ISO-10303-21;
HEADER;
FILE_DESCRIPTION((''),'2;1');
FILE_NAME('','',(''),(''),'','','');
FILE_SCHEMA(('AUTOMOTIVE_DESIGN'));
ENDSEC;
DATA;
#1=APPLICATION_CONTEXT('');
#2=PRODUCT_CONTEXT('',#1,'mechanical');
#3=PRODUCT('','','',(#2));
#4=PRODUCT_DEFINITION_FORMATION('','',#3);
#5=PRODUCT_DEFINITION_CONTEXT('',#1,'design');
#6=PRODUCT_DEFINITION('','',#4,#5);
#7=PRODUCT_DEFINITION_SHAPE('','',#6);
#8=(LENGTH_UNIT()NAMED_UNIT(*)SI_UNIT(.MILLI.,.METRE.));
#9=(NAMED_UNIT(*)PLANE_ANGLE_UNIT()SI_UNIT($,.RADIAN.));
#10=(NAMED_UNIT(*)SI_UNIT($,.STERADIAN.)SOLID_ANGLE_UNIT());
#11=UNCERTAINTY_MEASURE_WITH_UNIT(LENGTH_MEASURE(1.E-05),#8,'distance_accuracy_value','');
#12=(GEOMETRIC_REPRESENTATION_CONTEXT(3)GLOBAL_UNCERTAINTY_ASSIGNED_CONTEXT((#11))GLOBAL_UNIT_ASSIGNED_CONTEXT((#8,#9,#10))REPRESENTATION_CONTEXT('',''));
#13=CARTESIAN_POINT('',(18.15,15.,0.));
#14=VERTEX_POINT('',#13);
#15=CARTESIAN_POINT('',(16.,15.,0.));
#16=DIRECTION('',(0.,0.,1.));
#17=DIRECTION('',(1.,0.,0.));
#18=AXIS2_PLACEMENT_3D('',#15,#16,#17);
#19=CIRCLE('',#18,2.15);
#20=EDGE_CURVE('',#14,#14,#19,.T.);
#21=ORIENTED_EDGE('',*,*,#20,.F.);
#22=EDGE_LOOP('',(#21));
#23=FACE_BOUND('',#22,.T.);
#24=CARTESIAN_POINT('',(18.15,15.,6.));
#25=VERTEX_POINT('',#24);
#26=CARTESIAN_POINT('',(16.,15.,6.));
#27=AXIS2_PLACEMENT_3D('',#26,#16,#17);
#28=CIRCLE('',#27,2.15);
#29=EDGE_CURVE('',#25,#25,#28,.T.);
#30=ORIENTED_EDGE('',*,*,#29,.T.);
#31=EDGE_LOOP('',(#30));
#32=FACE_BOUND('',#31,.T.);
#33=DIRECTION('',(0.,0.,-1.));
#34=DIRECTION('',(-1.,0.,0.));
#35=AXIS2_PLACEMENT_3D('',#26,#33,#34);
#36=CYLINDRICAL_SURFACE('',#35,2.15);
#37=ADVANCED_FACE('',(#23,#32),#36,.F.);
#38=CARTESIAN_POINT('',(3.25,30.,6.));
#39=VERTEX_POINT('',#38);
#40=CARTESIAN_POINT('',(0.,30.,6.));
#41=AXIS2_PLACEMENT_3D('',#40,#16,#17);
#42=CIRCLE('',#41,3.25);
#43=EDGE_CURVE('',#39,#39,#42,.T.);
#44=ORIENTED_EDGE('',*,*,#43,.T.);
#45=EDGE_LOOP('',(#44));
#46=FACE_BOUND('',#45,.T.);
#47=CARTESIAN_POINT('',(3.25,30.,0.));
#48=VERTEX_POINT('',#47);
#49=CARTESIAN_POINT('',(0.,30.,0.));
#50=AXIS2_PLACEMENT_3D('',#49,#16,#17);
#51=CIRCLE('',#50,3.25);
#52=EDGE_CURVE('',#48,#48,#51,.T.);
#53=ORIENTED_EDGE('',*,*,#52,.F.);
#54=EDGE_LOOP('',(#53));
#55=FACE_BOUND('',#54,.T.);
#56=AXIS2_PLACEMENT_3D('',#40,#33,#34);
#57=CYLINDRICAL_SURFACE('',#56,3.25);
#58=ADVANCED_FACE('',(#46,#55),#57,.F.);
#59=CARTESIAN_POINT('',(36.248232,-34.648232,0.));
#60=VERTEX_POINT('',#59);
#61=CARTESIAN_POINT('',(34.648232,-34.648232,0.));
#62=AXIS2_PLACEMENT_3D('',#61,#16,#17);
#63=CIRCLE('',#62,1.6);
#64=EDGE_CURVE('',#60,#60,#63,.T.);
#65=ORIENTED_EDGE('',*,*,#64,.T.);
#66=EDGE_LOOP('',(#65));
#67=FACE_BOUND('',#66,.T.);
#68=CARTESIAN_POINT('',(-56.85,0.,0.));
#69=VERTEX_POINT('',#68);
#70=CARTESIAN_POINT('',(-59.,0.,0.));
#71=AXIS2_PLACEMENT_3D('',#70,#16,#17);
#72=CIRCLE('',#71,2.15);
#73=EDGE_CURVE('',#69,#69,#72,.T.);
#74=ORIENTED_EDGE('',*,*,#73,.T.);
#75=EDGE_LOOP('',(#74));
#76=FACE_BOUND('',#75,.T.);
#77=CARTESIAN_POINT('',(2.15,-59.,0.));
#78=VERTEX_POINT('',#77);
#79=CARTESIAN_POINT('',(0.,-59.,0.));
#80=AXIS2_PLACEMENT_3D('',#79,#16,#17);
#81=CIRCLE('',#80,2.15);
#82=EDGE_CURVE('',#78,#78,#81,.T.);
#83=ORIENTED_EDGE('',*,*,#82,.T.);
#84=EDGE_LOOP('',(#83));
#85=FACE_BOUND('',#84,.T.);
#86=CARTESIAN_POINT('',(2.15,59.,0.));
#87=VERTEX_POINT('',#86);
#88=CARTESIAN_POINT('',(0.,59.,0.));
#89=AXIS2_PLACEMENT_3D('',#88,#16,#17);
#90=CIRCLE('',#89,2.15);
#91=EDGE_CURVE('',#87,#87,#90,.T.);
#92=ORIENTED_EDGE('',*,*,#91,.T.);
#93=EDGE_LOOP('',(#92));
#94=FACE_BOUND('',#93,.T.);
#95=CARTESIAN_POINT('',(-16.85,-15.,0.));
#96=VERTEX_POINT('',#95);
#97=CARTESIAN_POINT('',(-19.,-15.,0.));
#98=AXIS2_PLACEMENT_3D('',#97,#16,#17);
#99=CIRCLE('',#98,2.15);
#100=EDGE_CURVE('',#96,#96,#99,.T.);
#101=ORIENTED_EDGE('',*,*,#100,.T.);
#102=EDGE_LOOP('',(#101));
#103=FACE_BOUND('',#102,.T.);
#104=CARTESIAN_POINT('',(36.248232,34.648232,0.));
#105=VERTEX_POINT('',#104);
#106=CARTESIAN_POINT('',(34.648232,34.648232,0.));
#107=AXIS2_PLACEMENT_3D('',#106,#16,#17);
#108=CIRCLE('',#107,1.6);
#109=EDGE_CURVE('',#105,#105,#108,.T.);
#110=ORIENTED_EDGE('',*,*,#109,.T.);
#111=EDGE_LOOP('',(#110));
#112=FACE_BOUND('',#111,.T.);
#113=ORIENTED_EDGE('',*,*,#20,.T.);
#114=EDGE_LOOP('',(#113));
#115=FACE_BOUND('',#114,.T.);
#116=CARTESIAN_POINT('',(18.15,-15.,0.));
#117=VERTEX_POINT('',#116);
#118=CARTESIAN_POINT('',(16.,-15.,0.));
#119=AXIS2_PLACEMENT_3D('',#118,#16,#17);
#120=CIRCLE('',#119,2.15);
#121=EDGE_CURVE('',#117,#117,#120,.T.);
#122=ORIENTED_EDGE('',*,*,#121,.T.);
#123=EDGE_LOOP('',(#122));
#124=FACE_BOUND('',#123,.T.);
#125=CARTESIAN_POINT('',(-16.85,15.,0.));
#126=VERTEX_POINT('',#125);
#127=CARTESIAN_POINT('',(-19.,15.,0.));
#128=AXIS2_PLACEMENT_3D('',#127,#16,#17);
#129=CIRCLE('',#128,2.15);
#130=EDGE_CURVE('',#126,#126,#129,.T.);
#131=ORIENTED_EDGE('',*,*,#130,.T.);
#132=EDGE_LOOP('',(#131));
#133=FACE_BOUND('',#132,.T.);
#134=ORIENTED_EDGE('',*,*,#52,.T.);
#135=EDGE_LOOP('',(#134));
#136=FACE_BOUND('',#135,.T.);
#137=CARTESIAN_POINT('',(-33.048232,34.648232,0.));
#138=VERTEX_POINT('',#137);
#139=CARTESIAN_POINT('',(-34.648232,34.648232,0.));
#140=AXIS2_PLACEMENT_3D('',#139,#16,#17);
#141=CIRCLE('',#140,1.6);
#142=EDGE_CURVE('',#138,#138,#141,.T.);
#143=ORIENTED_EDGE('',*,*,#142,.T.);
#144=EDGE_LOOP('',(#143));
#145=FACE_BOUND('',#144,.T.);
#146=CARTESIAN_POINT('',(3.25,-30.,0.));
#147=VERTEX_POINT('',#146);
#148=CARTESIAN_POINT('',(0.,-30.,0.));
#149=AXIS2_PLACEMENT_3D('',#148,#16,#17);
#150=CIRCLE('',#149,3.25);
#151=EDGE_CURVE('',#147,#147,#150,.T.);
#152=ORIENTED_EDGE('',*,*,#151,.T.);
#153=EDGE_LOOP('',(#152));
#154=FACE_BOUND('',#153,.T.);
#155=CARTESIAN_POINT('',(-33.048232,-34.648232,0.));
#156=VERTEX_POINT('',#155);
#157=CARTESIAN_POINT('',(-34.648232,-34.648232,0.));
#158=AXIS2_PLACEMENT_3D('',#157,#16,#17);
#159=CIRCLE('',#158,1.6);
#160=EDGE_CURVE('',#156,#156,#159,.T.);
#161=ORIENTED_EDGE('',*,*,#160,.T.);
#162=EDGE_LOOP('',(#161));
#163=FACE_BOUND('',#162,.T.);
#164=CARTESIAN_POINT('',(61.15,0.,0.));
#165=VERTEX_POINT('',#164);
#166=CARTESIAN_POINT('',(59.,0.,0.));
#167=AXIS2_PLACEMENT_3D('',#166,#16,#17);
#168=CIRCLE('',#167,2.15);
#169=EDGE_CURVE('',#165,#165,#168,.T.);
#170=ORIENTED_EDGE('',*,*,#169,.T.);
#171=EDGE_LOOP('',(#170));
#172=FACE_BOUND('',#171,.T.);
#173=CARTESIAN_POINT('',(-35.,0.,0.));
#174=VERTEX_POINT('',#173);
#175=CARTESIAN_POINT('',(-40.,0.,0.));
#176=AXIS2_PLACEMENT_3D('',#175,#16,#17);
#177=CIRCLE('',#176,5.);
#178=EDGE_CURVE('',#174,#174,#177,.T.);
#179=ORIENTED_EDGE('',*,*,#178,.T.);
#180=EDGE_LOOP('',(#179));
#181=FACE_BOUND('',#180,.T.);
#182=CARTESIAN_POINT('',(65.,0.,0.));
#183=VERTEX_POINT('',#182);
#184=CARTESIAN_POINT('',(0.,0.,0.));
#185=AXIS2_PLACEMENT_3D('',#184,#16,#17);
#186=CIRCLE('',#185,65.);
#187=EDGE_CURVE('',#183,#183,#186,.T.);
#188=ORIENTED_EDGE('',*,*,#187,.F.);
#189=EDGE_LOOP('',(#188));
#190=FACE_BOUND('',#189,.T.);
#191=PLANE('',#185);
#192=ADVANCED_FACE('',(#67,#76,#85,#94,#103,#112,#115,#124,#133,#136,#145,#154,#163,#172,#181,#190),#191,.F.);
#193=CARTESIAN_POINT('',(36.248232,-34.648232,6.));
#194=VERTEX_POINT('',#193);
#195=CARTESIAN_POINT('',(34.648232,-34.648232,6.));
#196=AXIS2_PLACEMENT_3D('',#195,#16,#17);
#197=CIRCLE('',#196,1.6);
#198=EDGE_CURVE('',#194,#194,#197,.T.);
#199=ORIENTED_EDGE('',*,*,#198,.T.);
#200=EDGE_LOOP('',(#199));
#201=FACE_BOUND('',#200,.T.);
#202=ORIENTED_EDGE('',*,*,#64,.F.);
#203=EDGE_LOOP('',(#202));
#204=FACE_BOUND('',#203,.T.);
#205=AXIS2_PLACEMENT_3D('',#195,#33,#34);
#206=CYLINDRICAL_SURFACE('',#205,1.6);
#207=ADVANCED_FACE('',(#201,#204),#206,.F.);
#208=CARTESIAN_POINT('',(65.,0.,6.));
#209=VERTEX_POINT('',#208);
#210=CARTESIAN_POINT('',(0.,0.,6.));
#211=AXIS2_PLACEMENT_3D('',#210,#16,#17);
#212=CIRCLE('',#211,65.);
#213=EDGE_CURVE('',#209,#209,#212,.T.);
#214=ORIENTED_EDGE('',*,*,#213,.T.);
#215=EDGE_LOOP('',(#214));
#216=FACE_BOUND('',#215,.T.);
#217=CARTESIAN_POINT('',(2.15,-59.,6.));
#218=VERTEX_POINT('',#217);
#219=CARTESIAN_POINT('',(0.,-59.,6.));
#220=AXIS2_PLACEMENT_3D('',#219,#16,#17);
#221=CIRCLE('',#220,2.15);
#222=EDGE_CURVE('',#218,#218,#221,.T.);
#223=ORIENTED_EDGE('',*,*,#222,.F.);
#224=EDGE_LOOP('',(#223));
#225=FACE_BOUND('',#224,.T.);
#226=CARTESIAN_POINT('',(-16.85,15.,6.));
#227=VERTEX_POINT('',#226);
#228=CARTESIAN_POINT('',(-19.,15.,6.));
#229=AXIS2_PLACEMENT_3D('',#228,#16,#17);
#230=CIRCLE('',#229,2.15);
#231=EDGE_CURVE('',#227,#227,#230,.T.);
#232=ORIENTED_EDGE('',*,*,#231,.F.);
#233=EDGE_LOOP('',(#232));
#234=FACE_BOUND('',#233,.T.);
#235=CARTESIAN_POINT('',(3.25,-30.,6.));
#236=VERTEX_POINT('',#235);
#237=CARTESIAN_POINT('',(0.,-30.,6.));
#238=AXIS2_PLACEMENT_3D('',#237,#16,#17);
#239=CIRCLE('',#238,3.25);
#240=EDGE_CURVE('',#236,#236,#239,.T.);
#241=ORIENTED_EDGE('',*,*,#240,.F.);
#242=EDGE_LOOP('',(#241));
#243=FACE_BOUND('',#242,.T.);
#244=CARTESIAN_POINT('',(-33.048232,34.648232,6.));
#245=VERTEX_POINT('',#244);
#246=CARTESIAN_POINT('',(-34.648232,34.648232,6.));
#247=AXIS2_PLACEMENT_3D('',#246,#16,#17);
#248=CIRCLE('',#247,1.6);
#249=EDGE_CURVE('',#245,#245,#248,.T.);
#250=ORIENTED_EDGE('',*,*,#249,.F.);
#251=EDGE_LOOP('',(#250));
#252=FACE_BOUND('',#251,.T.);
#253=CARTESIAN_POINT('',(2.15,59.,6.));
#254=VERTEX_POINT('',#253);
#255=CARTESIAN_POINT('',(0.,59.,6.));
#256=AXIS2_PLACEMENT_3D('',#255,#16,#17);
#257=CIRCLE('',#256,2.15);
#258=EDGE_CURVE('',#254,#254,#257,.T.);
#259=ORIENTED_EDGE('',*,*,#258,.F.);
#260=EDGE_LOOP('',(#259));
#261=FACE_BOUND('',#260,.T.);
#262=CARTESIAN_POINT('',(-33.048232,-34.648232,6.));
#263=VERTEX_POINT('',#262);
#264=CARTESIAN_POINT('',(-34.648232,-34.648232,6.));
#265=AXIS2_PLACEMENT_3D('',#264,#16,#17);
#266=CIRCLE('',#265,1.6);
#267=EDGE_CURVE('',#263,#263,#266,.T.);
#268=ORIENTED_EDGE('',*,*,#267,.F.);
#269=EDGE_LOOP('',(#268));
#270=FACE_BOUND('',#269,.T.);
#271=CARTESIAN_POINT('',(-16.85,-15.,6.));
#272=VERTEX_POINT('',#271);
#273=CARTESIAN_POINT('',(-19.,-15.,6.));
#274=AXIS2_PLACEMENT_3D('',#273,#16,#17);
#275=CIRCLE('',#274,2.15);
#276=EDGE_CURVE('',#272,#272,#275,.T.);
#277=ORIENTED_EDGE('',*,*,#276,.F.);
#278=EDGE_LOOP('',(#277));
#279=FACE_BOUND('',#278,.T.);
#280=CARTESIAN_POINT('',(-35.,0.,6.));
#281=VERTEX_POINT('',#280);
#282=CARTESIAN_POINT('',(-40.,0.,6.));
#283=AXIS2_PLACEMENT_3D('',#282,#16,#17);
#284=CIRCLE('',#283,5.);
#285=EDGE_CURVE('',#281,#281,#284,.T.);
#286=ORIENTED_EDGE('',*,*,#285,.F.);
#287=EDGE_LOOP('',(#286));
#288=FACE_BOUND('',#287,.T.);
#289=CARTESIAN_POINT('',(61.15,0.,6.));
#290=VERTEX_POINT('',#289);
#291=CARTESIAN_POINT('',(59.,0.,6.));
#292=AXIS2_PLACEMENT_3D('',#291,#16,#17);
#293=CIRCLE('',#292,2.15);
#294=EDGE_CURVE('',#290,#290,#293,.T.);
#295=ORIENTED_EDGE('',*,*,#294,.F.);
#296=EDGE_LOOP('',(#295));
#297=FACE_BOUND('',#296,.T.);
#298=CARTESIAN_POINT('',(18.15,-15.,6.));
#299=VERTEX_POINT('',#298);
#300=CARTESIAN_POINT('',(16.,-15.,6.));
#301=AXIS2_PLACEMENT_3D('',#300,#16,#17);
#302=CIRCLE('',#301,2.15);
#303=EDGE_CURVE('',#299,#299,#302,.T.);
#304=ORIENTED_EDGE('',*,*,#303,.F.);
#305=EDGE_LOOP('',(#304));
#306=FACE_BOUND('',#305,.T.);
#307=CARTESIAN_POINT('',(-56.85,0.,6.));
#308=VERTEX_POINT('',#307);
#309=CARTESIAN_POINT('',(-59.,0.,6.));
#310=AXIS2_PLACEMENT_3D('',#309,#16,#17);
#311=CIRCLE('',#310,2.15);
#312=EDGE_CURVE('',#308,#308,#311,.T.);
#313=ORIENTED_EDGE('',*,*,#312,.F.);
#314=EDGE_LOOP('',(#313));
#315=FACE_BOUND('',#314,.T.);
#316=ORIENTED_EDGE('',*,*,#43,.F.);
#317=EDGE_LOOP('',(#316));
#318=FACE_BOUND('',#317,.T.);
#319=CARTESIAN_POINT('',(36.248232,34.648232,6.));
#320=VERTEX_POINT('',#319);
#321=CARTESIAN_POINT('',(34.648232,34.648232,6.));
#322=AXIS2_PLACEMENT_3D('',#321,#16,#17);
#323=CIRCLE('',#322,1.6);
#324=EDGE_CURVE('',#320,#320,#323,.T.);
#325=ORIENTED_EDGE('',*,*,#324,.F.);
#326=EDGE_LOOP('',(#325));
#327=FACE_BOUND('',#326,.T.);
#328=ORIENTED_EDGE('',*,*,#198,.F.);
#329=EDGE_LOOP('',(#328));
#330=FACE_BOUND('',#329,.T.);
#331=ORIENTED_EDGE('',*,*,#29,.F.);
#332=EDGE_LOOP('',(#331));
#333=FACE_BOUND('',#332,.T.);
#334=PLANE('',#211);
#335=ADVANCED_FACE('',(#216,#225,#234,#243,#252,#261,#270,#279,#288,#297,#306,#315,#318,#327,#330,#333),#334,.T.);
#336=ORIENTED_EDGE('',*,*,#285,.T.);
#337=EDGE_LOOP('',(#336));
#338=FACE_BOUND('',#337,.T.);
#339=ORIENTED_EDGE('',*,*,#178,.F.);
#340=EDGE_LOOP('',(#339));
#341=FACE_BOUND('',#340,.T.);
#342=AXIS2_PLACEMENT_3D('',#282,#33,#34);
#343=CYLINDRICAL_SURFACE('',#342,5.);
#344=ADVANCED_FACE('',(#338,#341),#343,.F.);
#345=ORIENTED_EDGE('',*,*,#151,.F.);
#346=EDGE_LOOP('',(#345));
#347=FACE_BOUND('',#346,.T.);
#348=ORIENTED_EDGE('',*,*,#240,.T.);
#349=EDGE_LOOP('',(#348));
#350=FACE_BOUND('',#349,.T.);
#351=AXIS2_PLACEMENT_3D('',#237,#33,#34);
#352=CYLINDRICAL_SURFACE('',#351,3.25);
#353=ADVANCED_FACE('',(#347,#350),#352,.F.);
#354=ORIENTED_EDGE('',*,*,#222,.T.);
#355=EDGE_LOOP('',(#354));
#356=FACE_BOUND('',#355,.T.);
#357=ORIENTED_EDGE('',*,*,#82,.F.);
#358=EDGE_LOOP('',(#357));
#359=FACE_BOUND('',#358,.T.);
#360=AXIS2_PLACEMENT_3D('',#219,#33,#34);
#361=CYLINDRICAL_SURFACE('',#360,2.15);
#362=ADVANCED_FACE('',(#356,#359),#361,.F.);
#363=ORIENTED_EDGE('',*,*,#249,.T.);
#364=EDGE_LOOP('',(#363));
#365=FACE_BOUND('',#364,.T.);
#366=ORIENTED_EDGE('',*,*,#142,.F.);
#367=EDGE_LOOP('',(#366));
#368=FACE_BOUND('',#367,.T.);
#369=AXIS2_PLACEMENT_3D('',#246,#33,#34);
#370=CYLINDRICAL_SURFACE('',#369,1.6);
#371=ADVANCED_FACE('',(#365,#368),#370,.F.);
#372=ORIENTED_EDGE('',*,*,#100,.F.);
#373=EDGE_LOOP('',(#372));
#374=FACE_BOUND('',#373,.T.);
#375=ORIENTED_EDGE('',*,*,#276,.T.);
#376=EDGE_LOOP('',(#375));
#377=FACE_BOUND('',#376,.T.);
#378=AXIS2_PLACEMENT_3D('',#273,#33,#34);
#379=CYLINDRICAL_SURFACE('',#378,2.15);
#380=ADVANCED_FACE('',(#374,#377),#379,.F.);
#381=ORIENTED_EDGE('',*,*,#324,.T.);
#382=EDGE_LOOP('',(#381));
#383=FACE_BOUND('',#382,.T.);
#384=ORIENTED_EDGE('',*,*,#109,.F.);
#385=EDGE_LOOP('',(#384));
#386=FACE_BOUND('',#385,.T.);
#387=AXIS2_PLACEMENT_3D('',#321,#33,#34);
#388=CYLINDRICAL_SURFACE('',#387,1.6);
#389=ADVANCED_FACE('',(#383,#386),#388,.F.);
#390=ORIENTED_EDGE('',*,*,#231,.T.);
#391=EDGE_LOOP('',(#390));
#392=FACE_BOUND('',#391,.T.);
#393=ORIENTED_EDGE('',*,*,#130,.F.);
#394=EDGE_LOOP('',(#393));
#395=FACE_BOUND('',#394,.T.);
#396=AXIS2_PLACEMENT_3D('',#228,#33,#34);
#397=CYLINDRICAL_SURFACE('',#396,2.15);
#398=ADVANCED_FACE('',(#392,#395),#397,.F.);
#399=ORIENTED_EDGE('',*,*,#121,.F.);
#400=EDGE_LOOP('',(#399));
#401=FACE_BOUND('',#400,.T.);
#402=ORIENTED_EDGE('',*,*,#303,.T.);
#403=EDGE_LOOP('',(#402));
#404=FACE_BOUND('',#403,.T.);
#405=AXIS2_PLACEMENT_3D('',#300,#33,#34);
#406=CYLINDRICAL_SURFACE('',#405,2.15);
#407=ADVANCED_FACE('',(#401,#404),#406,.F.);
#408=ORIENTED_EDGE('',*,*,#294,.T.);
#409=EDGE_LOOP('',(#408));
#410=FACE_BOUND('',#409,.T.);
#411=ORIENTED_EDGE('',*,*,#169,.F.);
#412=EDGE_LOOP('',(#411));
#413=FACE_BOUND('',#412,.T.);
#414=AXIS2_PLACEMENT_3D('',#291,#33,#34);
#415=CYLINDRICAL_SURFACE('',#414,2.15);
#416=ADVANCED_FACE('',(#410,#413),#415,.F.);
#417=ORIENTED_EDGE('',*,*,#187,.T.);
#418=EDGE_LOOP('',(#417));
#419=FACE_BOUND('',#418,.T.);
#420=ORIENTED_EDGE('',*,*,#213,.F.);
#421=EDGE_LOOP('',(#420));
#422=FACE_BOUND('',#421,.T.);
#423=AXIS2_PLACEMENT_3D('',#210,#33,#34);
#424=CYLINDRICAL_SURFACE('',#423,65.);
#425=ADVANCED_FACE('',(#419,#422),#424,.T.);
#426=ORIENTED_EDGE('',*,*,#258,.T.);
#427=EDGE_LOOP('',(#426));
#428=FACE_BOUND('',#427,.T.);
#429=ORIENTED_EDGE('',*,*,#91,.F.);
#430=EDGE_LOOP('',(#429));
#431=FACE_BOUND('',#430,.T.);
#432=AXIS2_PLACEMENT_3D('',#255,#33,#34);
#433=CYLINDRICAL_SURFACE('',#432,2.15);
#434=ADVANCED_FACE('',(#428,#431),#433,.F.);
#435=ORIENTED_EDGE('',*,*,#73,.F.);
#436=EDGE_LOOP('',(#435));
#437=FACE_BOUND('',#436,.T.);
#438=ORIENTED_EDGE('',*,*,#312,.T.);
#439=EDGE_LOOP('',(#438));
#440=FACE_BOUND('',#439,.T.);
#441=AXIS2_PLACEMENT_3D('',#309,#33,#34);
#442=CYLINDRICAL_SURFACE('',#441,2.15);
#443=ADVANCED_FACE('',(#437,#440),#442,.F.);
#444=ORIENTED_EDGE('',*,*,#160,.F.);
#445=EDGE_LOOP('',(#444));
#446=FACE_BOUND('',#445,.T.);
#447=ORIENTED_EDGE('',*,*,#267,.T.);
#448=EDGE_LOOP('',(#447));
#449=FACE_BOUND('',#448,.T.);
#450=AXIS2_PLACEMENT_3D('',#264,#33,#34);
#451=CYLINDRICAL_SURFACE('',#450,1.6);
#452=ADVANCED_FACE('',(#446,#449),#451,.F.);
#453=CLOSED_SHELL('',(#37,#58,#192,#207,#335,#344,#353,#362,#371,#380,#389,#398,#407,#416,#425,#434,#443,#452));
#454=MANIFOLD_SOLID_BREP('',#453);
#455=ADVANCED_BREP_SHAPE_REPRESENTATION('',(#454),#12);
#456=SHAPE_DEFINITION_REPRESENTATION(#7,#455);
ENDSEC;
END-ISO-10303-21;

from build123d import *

# Parameters (mm, degrees)
SKETCH_1_R      = 65
SKETCH_1_R_2    = 1.6
SKETCH_1_R_3    = 2.15
SKETCH_1_R_4    = 3.25
SKETCH_1_R_5    = 5
EXTRUDE_1_DEPTH = 6


with BuildPart() as part:
    # 草圖1 → 填料-伸長1 (new body)
    with BuildSketch(Plane.XY):
        Circle(SKETCH_1_R)
        with Locations((34.648232278, 34.648232278)):
            Circle(SKETCH_1_R_2, mode=Mode.SUBTRACT)
        with Locations((-34.648232278, 34.648232278)):
            Circle(SKETCH_1_R_2, mode=Mode.SUBTRACT)
        with Locations((-34.648232278, -34.648232278)):
            Circle(SKETCH_1_R_2, mode=Mode.SUBTRACT)
        with Locations((34.648232278, -34.648232278)):
            Circle(SKETCH_1_R_2, mode=Mode.SUBTRACT)
        with Locations((59, 0)):
            Circle(SKETCH_1_R_3, mode=Mode.SUBTRACT)
        with Locations((0, 59)):
            Circle(SKETCH_1_R_3, mode=Mode.SUBTRACT)
        with Locations((-59, 0)):
            Circle(SKETCH_1_R_3, mode=Mode.SUBTRACT)
        with Locations((0, -59)):
            Circle(SKETCH_1_R_3, mode=Mode.SUBTRACT)
        with Locations((-19, 15)):
            Circle(SKETCH_1_R_3, mode=Mode.SUBTRACT)
        with Locations((-19, -15)):
            Circle(SKETCH_1_R_3, mode=Mode.SUBTRACT)
        with Locations((16, 15)):
            Circle(SKETCH_1_R_3, mode=Mode.SUBTRACT)
        with Locations((16, -15)):
            Circle(SKETCH_1_R_3, mode=Mode.SUBTRACT)
        with Locations((0, 30)):
            Circle(SKETCH_1_R_4, mode=Mode.SUBTRACT)
        with Locations((0, -30)):
            Circle(SKETCH_1_R_4, mode=Mode.SUBTRACT)
        with Locations((-40, 0)):
            Circle(SKETCH_1_R_5, mode=Mode.SUBTRACT)
    extrude(amount=EXTRUDE_1_DEPTH)


solid = part.part
